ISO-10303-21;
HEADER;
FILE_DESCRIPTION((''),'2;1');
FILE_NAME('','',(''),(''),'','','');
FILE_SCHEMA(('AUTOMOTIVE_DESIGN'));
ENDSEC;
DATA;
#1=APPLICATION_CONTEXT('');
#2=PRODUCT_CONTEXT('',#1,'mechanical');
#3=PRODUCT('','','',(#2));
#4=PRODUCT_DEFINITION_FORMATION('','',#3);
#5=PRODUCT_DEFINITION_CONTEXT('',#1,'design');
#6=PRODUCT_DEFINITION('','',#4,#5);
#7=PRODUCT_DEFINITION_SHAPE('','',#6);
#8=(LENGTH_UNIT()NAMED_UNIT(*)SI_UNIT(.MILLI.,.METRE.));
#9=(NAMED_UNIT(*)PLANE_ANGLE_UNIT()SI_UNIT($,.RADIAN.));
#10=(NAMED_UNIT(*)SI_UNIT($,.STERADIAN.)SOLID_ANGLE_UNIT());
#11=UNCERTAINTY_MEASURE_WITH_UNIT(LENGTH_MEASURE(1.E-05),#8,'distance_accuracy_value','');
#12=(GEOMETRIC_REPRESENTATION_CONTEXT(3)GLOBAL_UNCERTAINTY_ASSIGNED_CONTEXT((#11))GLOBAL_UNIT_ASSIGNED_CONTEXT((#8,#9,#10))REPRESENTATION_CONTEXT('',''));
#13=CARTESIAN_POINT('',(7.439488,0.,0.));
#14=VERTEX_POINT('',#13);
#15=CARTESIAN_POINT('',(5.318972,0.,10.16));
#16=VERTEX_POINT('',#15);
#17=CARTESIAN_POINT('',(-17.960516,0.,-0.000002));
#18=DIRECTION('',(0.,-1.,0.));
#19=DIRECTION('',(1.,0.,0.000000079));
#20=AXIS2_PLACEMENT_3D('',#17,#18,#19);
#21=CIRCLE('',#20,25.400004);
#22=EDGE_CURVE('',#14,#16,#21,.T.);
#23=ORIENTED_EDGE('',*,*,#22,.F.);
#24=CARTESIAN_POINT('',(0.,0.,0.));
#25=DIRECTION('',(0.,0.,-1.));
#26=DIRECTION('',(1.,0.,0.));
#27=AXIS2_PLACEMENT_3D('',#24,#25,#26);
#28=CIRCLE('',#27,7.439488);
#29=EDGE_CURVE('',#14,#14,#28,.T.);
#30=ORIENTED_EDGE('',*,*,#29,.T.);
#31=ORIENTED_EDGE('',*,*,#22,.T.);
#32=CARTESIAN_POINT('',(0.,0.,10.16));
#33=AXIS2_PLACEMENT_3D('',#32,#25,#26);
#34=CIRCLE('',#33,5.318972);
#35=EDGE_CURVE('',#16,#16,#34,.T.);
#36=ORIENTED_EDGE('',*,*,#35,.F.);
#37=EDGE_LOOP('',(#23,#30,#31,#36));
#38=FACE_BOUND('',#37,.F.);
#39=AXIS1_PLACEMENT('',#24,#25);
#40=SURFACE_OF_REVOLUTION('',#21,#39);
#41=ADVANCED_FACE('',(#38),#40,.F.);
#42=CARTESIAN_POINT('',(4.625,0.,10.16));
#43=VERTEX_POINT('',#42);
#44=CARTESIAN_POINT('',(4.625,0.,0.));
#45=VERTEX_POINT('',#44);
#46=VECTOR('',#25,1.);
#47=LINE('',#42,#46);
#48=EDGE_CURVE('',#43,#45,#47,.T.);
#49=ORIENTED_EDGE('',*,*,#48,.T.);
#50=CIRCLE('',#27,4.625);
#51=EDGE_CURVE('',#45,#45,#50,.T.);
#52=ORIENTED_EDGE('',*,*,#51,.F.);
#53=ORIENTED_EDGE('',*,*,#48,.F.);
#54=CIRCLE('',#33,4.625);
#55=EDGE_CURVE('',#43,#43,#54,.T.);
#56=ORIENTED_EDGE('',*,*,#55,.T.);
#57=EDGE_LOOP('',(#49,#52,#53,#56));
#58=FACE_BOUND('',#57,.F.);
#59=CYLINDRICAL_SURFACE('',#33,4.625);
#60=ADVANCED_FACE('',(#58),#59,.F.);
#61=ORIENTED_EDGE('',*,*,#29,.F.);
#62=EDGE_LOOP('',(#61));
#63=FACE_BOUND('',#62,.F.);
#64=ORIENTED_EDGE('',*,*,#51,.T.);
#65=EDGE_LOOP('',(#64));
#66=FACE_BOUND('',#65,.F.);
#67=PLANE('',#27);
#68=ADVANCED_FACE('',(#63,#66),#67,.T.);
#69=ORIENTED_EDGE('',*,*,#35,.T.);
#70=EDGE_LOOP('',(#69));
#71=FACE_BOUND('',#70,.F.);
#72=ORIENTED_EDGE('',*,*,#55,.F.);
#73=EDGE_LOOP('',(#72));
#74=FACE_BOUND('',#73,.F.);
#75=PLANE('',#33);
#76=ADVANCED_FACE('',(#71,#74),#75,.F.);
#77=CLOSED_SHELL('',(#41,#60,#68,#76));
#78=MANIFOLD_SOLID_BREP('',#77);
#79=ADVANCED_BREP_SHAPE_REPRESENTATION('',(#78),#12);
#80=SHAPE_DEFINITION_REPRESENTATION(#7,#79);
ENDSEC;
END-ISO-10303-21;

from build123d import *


with BuildPart() as f1:
    # F0 (on Front) → F1 (revolve)
    with BuildSketch(Plane.XZ):
        with BuildLine():
            ThreePointArc((7.439488, 0), (6.903708, 5.189465), (5.318972, 10.16))
            Line((5.318972, 10.16), (4.625, 10.16))
            Line((4.625, 10.16), (4.625, 0))
            Line((4.625, 0), (7.439488, 0))
        make_face()
    revolve(axis=Axis((0, 0, 0), (0, 0, -1)))


solid = f1.part
